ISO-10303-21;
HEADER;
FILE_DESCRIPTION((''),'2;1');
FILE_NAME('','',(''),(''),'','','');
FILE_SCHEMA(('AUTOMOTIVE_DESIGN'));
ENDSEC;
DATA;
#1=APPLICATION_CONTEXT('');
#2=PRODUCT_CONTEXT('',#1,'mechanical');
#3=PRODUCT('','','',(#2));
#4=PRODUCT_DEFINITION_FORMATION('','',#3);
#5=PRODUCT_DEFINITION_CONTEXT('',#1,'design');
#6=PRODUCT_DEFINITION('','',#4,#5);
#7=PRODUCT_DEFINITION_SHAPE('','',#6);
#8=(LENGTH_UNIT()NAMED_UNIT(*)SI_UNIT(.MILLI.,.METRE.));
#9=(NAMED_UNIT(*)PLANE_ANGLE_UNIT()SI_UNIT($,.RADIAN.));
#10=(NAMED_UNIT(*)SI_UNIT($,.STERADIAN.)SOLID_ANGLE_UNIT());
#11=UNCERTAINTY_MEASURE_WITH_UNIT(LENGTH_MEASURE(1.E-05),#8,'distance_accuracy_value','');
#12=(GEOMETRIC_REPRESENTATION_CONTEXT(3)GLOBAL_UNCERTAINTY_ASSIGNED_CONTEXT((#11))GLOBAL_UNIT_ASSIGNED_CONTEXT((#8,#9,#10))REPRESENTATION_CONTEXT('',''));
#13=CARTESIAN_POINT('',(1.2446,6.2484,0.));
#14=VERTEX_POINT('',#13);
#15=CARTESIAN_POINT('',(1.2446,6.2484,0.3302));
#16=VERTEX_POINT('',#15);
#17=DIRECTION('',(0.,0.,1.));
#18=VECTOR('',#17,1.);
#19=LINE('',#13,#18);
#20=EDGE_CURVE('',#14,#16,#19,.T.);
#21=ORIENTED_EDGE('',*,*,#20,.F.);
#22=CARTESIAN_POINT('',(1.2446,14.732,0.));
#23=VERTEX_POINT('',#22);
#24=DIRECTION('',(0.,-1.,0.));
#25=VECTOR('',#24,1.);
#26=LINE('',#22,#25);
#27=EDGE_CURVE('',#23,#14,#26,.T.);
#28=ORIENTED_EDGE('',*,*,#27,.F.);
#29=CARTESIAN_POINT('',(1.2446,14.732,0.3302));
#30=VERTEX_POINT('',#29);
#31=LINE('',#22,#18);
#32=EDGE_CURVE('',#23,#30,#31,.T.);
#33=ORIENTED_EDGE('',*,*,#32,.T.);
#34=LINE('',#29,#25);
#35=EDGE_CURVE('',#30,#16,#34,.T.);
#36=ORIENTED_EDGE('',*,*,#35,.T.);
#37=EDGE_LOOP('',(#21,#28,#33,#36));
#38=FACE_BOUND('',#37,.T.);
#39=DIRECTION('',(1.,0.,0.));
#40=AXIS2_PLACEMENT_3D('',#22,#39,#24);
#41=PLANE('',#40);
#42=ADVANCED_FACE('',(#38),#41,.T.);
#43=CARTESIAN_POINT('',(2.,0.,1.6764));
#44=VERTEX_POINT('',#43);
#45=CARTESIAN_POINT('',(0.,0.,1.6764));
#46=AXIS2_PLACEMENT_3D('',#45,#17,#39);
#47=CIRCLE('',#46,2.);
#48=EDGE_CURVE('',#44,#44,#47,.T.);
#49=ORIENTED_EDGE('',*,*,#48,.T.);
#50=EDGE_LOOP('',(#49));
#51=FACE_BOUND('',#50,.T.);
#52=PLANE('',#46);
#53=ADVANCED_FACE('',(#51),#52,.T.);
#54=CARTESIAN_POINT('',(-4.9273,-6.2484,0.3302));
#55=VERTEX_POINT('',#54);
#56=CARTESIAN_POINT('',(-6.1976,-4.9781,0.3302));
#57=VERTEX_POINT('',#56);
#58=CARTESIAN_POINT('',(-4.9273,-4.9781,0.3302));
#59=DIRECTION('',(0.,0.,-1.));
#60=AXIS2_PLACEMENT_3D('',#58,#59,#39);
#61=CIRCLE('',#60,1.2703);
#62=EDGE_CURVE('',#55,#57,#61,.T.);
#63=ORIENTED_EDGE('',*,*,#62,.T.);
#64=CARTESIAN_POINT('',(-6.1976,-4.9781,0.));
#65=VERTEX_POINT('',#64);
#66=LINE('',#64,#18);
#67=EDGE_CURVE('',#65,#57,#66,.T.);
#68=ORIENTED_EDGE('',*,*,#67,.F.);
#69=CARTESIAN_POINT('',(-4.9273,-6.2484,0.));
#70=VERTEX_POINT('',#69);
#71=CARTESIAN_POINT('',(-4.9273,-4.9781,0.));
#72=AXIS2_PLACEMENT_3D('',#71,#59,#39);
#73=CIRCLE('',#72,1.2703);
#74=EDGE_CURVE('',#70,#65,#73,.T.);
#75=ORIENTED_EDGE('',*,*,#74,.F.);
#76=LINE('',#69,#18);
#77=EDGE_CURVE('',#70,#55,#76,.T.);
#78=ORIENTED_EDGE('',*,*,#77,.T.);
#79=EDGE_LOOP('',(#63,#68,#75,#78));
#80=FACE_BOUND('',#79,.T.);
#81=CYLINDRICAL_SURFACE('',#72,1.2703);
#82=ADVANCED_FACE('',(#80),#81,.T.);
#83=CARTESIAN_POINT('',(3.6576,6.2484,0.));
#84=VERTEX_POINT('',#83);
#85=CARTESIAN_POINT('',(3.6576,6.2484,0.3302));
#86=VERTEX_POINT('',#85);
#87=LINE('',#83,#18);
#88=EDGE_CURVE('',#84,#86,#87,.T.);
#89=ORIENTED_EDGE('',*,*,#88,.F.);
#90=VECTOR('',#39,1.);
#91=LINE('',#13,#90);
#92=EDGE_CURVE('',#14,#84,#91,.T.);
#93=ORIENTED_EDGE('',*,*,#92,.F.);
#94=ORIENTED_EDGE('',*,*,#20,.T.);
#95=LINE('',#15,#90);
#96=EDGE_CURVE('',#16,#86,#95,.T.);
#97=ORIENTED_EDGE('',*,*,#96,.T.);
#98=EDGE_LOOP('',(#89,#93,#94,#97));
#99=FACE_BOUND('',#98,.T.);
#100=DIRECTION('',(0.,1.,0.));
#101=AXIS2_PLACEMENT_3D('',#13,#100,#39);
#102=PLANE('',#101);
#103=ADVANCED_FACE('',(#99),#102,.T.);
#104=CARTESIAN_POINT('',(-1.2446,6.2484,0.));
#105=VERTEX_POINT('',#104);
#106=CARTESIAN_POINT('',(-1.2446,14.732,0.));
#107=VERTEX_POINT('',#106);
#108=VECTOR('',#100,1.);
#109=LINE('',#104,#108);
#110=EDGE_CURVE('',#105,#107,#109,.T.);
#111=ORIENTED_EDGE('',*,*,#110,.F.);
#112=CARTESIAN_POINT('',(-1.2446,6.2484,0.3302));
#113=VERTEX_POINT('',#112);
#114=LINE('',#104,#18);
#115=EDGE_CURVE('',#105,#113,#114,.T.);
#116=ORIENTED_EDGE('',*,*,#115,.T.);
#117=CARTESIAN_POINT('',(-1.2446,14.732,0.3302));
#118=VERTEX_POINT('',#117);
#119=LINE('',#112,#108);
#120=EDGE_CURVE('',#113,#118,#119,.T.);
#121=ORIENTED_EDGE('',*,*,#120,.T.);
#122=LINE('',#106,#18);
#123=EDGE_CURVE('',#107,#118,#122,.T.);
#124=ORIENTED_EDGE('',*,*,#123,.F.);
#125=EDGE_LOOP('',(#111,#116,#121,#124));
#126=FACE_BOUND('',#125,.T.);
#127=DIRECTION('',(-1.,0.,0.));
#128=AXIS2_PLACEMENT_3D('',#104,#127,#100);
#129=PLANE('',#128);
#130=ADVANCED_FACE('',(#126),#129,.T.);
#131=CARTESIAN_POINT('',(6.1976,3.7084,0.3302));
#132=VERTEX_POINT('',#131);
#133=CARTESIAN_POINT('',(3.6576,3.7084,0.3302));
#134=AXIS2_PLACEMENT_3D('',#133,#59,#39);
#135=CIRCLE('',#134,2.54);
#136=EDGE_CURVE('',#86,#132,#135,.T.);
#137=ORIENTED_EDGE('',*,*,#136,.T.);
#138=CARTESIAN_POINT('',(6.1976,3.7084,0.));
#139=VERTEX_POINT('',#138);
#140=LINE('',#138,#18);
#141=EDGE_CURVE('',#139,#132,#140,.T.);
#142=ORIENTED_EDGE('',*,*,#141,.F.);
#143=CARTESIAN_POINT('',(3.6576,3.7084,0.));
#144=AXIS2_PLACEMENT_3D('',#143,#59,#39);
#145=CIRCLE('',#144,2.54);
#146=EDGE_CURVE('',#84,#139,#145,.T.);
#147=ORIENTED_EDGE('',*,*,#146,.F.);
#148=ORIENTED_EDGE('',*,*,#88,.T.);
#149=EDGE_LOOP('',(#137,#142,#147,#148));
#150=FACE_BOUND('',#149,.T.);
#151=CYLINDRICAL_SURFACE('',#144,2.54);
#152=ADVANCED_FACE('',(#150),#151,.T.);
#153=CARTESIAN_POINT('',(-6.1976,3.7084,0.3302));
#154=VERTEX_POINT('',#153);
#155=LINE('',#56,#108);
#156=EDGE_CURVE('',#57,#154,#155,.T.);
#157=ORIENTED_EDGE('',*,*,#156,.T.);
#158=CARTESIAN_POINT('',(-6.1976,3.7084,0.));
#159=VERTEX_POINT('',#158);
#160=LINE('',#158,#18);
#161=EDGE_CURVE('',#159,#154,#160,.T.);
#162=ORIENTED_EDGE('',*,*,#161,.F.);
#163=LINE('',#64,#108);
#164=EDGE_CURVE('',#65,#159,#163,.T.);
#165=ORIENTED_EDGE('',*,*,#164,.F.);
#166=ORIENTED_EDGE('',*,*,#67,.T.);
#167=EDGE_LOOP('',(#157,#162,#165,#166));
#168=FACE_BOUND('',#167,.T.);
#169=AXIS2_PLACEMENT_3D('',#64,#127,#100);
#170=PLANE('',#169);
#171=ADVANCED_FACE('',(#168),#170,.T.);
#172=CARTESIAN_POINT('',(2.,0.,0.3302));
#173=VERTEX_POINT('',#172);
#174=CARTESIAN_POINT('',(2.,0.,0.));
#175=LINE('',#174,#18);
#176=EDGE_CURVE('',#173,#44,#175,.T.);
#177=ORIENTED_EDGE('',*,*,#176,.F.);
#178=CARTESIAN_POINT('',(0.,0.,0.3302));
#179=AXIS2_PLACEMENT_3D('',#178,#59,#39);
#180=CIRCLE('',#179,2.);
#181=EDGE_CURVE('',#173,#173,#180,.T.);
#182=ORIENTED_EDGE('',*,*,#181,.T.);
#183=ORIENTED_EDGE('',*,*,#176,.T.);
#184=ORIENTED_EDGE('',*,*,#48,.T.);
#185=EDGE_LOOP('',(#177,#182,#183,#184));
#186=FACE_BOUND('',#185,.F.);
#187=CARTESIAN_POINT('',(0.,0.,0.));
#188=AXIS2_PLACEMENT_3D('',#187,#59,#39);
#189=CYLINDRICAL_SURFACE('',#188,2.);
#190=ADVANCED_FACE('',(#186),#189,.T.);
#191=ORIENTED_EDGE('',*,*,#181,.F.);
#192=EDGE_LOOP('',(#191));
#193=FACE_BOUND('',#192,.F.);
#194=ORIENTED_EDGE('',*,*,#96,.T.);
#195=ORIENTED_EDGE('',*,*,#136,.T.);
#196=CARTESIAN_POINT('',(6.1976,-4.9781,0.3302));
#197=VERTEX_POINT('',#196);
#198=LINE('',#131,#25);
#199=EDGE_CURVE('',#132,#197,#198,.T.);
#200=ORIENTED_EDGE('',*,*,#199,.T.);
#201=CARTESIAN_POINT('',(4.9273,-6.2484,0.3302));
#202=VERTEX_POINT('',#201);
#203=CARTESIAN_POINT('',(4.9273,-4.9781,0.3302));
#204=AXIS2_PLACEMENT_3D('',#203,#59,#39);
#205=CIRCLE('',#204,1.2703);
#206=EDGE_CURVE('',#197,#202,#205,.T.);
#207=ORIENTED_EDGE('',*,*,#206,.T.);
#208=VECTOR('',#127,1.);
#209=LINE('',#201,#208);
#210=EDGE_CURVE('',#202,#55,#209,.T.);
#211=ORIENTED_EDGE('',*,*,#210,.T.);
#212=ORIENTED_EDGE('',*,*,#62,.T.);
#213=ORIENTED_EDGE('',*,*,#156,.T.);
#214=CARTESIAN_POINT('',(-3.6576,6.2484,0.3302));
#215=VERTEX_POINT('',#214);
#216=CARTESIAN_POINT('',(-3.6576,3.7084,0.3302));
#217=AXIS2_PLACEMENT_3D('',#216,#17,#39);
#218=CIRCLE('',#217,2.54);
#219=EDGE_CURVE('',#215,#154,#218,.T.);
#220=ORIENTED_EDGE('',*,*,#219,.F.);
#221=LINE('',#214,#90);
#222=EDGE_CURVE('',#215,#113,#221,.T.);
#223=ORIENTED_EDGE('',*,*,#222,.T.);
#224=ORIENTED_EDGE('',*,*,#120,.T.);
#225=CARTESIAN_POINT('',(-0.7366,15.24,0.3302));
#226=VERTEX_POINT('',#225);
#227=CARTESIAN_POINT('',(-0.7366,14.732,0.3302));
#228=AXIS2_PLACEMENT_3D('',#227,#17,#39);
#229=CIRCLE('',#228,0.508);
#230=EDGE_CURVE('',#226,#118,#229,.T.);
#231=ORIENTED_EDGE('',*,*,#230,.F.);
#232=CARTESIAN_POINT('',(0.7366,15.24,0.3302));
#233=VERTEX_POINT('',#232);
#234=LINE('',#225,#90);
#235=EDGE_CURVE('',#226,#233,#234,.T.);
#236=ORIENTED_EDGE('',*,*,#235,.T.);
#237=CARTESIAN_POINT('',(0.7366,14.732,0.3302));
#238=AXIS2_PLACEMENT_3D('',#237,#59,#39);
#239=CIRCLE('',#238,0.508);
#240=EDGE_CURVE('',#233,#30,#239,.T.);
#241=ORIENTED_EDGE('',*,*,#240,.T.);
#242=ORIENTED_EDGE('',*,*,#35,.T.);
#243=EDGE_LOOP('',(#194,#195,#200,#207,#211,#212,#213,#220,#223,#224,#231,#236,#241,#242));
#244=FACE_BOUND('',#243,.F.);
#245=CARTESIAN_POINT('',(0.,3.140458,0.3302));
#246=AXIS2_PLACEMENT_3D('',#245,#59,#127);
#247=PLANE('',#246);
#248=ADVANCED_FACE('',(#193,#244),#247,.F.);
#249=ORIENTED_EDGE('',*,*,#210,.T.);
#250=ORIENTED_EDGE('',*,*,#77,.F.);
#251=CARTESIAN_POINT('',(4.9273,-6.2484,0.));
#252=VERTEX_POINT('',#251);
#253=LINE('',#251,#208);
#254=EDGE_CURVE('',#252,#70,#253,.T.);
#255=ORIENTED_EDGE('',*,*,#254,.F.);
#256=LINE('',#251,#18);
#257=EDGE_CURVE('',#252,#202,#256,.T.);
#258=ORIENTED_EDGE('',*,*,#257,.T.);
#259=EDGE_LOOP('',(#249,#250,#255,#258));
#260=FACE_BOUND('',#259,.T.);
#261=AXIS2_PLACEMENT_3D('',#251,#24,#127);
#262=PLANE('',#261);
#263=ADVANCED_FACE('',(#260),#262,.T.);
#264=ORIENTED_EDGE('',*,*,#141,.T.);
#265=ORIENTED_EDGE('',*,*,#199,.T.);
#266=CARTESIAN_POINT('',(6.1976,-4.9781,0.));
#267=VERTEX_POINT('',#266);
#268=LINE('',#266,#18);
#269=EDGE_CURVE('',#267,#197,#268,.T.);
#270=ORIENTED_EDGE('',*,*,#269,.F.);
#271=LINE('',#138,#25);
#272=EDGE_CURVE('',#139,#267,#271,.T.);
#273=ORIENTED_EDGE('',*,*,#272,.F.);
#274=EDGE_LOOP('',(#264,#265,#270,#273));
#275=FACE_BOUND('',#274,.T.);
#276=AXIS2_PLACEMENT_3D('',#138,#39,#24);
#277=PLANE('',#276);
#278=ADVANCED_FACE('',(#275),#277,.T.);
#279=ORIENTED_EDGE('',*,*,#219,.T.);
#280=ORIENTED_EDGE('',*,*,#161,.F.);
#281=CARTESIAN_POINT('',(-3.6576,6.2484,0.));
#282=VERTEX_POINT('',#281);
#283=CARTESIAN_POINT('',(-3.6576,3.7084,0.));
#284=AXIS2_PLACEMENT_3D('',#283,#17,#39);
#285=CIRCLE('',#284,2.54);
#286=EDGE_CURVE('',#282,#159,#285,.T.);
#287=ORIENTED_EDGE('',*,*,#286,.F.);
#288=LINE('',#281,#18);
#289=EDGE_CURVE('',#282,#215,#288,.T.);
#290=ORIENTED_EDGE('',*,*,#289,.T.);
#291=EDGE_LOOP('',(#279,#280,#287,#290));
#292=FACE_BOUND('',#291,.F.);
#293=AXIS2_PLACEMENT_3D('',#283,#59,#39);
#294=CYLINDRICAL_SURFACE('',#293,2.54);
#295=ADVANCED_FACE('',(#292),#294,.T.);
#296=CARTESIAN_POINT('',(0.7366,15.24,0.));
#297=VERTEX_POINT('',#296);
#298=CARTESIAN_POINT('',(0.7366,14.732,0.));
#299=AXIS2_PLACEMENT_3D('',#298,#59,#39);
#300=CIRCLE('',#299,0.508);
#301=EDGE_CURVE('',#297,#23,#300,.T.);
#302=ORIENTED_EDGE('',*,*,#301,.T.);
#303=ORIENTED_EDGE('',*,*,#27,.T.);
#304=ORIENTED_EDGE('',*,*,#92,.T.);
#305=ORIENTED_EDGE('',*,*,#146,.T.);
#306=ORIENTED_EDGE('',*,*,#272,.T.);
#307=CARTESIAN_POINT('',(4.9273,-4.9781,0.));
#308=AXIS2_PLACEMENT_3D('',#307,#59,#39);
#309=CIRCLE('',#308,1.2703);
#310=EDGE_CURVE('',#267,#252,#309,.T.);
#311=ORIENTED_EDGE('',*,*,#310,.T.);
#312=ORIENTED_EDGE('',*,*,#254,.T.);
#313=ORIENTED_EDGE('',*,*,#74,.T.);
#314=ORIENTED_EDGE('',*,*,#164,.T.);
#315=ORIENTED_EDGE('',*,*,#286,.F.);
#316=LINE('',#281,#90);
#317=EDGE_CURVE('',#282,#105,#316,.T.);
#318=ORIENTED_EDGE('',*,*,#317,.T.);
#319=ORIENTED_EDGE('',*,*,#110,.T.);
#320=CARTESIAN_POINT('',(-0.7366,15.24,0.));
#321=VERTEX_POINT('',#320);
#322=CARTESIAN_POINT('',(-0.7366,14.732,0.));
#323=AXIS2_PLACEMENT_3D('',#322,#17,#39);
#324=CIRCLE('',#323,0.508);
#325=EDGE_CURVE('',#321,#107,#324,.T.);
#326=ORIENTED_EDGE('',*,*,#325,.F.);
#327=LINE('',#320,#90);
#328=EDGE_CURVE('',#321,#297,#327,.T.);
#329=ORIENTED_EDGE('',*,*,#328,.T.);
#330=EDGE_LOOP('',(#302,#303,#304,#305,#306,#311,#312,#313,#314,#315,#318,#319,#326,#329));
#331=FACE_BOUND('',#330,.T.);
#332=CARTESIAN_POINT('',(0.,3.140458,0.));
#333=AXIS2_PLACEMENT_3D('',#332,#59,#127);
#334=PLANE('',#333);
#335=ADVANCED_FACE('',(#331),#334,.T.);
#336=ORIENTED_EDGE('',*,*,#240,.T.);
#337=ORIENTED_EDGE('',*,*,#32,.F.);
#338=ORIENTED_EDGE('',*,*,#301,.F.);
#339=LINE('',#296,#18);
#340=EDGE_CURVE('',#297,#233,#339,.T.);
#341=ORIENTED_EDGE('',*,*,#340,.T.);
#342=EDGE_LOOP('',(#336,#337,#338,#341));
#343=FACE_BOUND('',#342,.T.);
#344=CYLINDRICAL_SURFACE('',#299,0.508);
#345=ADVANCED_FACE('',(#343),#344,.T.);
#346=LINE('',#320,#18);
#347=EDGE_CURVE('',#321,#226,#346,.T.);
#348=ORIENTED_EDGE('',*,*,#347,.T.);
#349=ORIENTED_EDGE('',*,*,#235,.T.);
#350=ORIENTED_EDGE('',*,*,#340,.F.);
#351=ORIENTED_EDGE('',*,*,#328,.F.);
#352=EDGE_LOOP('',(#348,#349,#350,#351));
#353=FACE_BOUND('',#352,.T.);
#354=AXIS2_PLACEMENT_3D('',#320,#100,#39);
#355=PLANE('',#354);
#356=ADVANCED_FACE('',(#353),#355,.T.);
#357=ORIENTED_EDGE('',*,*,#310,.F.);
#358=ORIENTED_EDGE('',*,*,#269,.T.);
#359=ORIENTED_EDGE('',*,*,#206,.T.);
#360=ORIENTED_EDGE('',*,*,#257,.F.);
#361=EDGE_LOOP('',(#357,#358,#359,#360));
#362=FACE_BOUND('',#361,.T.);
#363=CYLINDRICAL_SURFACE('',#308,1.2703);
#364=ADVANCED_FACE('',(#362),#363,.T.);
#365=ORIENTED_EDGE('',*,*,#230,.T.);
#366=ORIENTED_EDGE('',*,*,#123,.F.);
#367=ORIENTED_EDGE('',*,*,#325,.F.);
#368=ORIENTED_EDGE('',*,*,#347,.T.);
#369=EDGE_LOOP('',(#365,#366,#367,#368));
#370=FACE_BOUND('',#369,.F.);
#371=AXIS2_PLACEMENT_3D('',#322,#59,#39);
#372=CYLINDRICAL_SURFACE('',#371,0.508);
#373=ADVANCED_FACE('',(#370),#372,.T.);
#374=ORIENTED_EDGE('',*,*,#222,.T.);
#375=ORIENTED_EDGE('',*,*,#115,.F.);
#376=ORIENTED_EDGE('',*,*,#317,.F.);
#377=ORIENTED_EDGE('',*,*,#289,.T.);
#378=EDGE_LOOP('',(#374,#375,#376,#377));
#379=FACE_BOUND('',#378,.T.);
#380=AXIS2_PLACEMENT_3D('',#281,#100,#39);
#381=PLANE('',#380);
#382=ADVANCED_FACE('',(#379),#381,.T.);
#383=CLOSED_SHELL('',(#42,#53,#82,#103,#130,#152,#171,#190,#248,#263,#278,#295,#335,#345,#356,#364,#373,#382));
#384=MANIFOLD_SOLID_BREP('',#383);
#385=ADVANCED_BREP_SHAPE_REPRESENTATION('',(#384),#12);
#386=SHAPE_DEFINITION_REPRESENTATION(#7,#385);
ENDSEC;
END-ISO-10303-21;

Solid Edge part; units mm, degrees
sketch "Sketch1" plane through (0, 0, 0) normal (0, 0, 1) x (1, 0, 0)
  line L0 (6.1976, 3.7084) -> (6.1976, -4.9781)
  arc A0 (6.1976, -4.9781) -> (4.9273, -6.2484) centre (4.9273, -4.9781) cw
  line L1 (4.9273, -6.2484) -> (-4.9273, -6.2484)
  arc A1 (-4.9273, -6.2484) -> (-6.1976, -4.9781) centre (-4.9273, -4.9781) cw
  line L2 (-6.1976, -4.9781) -> (-6.1976, 3.7084)
  arc A2 (-3.6576, 6.2484) -> (-6.1976, 3.7084) centre (-3.6576, 3.7084) ccw
  line L3 (-3.6576, 6.2484) -> (-1.2446, 6.2484)
  line L4 (-1.2446, 6.2484) -> (-1.2446, 14.732)
  arc A3 (-0.7366, 15.24) -> (-1.2446, 14.732) centre (-0.7366, 14.732) ccw
  line L5 (-0.7366, 15.24) -> (0.7366, 15.24)
  arc A4 (0.7366, 15.24) -> (1.2446, 14.732) centre (0.7366, 14.732) cw
  line L6 (1.2446, 14.732) -> (1.2446, 6.2484)
  line L7 (1.2446, 6.2484) -> (3.6576, 6.2484)
  arc A5 (3.6576, 6.2484) -> (6.1976, 3.7084) centre (3.6576, 3.7084) cw
extrude "Protrusion1" add sketch "Sketch1" along normal blind 0.3302
sketch "Sketch2" plane through (0, 0, 0) normal (0, 0, 1) x (1, 0, 0)
  circle A0 centre (0, 0) radius 2
extrude "ExtrudedCutout_1" add sketch "Sketch2" along normal blind 1.6764
